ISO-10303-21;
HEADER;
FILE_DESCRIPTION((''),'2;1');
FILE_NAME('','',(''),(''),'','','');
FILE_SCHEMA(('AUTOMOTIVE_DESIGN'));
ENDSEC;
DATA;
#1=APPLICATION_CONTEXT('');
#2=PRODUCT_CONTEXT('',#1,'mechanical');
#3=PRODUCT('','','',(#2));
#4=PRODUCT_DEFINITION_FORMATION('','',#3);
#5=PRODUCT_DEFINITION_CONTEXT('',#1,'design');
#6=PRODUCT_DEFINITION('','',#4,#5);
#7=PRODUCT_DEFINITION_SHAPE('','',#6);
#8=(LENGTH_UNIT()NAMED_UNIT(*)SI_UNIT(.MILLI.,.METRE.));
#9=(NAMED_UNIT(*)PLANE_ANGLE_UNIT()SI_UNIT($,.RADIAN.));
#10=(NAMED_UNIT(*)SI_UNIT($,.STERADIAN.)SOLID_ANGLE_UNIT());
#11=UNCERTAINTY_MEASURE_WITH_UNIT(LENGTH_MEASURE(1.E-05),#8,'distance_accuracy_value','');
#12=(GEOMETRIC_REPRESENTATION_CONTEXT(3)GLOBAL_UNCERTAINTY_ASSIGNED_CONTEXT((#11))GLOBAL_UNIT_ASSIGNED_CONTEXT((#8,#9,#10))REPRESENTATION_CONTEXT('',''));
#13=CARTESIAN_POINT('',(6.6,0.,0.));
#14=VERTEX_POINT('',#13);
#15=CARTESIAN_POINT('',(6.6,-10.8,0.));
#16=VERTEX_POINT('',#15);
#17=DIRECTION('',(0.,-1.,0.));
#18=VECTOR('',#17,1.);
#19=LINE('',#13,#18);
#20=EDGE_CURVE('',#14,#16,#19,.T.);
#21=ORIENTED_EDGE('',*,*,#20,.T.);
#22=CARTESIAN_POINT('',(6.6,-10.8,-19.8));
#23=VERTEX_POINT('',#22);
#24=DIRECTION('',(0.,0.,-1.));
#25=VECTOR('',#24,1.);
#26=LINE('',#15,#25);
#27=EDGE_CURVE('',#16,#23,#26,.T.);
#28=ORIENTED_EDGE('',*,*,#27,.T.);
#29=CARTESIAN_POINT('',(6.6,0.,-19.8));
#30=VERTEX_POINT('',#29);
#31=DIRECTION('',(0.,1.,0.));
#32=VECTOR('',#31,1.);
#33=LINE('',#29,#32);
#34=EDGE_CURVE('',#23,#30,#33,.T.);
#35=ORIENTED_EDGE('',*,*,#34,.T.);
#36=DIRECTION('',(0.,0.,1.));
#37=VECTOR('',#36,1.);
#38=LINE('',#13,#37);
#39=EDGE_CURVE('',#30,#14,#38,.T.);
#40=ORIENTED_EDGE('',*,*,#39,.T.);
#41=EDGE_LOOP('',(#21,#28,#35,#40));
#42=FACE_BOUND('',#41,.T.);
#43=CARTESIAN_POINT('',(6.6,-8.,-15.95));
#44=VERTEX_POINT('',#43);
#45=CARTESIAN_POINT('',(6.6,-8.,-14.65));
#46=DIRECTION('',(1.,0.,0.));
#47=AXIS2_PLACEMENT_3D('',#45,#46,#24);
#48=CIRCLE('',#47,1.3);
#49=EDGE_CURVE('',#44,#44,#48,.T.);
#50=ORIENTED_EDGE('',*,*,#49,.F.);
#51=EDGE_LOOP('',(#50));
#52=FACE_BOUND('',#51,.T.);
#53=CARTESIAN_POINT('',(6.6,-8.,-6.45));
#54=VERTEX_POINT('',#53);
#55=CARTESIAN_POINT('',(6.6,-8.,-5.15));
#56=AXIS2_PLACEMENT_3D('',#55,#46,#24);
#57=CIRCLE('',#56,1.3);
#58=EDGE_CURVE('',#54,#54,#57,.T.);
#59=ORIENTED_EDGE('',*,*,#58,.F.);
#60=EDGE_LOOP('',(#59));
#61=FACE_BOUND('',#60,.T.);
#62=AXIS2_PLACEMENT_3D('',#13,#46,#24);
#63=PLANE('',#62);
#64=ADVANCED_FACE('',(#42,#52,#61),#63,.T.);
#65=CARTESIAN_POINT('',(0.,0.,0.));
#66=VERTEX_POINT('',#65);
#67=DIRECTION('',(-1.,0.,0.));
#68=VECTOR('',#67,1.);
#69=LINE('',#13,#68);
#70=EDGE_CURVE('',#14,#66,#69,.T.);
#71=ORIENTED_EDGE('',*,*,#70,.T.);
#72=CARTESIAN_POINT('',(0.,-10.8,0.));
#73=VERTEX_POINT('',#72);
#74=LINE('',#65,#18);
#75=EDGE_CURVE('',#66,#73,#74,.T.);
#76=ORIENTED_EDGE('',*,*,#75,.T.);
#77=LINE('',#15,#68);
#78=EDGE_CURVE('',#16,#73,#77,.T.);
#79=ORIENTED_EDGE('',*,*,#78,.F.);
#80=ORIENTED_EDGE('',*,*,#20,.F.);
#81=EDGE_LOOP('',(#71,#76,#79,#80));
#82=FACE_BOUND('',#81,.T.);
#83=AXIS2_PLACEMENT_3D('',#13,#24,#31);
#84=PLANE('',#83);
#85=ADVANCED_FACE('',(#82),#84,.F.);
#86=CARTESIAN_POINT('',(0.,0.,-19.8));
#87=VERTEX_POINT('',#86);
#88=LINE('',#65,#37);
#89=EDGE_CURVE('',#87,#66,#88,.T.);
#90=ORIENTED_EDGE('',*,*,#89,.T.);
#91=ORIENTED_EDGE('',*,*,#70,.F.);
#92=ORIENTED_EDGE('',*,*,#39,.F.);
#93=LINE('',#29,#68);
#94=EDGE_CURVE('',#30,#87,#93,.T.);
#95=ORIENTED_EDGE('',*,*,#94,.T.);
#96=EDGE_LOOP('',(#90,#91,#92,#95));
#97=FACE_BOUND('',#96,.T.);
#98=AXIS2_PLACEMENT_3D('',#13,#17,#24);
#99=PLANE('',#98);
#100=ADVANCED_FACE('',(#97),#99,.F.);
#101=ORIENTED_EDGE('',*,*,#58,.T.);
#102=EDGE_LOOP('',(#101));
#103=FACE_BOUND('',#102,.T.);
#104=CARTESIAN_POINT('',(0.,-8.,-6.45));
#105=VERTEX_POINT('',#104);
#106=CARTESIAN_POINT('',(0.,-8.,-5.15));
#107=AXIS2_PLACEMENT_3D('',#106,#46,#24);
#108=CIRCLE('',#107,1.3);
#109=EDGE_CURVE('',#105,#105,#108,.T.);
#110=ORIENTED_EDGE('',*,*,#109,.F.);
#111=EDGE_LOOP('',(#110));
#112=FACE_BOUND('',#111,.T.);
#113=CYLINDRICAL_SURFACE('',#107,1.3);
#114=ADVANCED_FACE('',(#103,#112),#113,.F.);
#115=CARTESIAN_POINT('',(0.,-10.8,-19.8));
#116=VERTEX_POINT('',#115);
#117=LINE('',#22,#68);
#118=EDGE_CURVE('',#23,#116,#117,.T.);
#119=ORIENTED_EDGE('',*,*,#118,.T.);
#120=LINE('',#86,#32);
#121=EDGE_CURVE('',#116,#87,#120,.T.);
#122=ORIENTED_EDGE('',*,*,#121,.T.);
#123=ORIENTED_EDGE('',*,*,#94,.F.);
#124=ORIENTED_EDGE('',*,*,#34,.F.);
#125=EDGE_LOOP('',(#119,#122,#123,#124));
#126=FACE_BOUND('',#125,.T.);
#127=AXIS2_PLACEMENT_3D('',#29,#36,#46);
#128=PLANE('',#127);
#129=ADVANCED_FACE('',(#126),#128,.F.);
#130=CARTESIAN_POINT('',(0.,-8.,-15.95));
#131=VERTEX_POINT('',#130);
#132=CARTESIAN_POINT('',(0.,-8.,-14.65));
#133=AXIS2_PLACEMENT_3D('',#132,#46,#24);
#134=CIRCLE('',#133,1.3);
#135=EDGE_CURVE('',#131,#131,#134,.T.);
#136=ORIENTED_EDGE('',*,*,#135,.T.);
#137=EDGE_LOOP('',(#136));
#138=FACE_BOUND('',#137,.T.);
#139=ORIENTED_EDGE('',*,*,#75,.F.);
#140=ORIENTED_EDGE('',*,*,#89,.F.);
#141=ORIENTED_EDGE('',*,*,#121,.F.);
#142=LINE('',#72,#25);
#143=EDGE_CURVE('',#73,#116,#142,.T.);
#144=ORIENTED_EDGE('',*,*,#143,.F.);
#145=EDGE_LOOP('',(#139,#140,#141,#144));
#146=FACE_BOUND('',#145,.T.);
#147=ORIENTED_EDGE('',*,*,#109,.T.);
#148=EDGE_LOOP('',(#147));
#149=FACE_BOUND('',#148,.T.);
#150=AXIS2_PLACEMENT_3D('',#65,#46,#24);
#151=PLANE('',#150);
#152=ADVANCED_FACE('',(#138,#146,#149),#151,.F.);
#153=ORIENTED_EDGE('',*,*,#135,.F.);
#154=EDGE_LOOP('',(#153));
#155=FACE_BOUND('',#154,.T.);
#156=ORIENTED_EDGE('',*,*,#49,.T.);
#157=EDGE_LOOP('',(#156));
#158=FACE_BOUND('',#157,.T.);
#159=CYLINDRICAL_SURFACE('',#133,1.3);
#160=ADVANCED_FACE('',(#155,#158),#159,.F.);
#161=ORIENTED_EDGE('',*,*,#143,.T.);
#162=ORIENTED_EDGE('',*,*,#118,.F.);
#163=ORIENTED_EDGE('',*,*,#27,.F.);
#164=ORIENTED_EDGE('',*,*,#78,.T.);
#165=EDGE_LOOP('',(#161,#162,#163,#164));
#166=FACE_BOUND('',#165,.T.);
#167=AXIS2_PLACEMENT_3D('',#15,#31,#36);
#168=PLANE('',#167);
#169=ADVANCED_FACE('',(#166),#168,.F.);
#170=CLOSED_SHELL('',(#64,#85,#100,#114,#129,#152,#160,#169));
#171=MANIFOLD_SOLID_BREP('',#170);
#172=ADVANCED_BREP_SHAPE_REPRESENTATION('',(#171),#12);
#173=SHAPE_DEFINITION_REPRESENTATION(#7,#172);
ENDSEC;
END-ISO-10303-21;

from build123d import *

# Parameters (mm, degrees)
SKETCH_1_W          = 19.8
SKETCH_1_H          = 10.8
EXTRUDE_1_DEPTH     = 6.6
SKETCH_2_R          = 1.3
CUT_EXTRUDE_1_DEPTH = 6.6


with BuildPart() as part:
    # 草图1 → 凸台-拉伸1 (new body)
    with BuildSketch(Plane(origin=(0, 0, 0), x_dir=(0, 0, -1), z_dir=(1, 0, 0))):
        with Locations((9.9, -5.4)):
            Rectangle(SKETCH_1_W, SKETCH_1_H)
    extrude(amount=EXTRUDE_1_DEPTH)

    # 草图2 → 切除-拉伸1 (cut)
    with BuildSketch(Plane(origin=(6.6, 0, 0), x_dir=(0, 0, -1), z_dir=(1, 0, 0))):
        with Locations((5.15, -8)):
            Circle(SKETCH_2_R)
        with Locations((14.65, -8)):
            Circle(SKETCH_2_R)
    extrude(amount=-CUT_EXTRUDE_1_DEPTH, mode=Mode.SUBTRACT)


solid = part.part
